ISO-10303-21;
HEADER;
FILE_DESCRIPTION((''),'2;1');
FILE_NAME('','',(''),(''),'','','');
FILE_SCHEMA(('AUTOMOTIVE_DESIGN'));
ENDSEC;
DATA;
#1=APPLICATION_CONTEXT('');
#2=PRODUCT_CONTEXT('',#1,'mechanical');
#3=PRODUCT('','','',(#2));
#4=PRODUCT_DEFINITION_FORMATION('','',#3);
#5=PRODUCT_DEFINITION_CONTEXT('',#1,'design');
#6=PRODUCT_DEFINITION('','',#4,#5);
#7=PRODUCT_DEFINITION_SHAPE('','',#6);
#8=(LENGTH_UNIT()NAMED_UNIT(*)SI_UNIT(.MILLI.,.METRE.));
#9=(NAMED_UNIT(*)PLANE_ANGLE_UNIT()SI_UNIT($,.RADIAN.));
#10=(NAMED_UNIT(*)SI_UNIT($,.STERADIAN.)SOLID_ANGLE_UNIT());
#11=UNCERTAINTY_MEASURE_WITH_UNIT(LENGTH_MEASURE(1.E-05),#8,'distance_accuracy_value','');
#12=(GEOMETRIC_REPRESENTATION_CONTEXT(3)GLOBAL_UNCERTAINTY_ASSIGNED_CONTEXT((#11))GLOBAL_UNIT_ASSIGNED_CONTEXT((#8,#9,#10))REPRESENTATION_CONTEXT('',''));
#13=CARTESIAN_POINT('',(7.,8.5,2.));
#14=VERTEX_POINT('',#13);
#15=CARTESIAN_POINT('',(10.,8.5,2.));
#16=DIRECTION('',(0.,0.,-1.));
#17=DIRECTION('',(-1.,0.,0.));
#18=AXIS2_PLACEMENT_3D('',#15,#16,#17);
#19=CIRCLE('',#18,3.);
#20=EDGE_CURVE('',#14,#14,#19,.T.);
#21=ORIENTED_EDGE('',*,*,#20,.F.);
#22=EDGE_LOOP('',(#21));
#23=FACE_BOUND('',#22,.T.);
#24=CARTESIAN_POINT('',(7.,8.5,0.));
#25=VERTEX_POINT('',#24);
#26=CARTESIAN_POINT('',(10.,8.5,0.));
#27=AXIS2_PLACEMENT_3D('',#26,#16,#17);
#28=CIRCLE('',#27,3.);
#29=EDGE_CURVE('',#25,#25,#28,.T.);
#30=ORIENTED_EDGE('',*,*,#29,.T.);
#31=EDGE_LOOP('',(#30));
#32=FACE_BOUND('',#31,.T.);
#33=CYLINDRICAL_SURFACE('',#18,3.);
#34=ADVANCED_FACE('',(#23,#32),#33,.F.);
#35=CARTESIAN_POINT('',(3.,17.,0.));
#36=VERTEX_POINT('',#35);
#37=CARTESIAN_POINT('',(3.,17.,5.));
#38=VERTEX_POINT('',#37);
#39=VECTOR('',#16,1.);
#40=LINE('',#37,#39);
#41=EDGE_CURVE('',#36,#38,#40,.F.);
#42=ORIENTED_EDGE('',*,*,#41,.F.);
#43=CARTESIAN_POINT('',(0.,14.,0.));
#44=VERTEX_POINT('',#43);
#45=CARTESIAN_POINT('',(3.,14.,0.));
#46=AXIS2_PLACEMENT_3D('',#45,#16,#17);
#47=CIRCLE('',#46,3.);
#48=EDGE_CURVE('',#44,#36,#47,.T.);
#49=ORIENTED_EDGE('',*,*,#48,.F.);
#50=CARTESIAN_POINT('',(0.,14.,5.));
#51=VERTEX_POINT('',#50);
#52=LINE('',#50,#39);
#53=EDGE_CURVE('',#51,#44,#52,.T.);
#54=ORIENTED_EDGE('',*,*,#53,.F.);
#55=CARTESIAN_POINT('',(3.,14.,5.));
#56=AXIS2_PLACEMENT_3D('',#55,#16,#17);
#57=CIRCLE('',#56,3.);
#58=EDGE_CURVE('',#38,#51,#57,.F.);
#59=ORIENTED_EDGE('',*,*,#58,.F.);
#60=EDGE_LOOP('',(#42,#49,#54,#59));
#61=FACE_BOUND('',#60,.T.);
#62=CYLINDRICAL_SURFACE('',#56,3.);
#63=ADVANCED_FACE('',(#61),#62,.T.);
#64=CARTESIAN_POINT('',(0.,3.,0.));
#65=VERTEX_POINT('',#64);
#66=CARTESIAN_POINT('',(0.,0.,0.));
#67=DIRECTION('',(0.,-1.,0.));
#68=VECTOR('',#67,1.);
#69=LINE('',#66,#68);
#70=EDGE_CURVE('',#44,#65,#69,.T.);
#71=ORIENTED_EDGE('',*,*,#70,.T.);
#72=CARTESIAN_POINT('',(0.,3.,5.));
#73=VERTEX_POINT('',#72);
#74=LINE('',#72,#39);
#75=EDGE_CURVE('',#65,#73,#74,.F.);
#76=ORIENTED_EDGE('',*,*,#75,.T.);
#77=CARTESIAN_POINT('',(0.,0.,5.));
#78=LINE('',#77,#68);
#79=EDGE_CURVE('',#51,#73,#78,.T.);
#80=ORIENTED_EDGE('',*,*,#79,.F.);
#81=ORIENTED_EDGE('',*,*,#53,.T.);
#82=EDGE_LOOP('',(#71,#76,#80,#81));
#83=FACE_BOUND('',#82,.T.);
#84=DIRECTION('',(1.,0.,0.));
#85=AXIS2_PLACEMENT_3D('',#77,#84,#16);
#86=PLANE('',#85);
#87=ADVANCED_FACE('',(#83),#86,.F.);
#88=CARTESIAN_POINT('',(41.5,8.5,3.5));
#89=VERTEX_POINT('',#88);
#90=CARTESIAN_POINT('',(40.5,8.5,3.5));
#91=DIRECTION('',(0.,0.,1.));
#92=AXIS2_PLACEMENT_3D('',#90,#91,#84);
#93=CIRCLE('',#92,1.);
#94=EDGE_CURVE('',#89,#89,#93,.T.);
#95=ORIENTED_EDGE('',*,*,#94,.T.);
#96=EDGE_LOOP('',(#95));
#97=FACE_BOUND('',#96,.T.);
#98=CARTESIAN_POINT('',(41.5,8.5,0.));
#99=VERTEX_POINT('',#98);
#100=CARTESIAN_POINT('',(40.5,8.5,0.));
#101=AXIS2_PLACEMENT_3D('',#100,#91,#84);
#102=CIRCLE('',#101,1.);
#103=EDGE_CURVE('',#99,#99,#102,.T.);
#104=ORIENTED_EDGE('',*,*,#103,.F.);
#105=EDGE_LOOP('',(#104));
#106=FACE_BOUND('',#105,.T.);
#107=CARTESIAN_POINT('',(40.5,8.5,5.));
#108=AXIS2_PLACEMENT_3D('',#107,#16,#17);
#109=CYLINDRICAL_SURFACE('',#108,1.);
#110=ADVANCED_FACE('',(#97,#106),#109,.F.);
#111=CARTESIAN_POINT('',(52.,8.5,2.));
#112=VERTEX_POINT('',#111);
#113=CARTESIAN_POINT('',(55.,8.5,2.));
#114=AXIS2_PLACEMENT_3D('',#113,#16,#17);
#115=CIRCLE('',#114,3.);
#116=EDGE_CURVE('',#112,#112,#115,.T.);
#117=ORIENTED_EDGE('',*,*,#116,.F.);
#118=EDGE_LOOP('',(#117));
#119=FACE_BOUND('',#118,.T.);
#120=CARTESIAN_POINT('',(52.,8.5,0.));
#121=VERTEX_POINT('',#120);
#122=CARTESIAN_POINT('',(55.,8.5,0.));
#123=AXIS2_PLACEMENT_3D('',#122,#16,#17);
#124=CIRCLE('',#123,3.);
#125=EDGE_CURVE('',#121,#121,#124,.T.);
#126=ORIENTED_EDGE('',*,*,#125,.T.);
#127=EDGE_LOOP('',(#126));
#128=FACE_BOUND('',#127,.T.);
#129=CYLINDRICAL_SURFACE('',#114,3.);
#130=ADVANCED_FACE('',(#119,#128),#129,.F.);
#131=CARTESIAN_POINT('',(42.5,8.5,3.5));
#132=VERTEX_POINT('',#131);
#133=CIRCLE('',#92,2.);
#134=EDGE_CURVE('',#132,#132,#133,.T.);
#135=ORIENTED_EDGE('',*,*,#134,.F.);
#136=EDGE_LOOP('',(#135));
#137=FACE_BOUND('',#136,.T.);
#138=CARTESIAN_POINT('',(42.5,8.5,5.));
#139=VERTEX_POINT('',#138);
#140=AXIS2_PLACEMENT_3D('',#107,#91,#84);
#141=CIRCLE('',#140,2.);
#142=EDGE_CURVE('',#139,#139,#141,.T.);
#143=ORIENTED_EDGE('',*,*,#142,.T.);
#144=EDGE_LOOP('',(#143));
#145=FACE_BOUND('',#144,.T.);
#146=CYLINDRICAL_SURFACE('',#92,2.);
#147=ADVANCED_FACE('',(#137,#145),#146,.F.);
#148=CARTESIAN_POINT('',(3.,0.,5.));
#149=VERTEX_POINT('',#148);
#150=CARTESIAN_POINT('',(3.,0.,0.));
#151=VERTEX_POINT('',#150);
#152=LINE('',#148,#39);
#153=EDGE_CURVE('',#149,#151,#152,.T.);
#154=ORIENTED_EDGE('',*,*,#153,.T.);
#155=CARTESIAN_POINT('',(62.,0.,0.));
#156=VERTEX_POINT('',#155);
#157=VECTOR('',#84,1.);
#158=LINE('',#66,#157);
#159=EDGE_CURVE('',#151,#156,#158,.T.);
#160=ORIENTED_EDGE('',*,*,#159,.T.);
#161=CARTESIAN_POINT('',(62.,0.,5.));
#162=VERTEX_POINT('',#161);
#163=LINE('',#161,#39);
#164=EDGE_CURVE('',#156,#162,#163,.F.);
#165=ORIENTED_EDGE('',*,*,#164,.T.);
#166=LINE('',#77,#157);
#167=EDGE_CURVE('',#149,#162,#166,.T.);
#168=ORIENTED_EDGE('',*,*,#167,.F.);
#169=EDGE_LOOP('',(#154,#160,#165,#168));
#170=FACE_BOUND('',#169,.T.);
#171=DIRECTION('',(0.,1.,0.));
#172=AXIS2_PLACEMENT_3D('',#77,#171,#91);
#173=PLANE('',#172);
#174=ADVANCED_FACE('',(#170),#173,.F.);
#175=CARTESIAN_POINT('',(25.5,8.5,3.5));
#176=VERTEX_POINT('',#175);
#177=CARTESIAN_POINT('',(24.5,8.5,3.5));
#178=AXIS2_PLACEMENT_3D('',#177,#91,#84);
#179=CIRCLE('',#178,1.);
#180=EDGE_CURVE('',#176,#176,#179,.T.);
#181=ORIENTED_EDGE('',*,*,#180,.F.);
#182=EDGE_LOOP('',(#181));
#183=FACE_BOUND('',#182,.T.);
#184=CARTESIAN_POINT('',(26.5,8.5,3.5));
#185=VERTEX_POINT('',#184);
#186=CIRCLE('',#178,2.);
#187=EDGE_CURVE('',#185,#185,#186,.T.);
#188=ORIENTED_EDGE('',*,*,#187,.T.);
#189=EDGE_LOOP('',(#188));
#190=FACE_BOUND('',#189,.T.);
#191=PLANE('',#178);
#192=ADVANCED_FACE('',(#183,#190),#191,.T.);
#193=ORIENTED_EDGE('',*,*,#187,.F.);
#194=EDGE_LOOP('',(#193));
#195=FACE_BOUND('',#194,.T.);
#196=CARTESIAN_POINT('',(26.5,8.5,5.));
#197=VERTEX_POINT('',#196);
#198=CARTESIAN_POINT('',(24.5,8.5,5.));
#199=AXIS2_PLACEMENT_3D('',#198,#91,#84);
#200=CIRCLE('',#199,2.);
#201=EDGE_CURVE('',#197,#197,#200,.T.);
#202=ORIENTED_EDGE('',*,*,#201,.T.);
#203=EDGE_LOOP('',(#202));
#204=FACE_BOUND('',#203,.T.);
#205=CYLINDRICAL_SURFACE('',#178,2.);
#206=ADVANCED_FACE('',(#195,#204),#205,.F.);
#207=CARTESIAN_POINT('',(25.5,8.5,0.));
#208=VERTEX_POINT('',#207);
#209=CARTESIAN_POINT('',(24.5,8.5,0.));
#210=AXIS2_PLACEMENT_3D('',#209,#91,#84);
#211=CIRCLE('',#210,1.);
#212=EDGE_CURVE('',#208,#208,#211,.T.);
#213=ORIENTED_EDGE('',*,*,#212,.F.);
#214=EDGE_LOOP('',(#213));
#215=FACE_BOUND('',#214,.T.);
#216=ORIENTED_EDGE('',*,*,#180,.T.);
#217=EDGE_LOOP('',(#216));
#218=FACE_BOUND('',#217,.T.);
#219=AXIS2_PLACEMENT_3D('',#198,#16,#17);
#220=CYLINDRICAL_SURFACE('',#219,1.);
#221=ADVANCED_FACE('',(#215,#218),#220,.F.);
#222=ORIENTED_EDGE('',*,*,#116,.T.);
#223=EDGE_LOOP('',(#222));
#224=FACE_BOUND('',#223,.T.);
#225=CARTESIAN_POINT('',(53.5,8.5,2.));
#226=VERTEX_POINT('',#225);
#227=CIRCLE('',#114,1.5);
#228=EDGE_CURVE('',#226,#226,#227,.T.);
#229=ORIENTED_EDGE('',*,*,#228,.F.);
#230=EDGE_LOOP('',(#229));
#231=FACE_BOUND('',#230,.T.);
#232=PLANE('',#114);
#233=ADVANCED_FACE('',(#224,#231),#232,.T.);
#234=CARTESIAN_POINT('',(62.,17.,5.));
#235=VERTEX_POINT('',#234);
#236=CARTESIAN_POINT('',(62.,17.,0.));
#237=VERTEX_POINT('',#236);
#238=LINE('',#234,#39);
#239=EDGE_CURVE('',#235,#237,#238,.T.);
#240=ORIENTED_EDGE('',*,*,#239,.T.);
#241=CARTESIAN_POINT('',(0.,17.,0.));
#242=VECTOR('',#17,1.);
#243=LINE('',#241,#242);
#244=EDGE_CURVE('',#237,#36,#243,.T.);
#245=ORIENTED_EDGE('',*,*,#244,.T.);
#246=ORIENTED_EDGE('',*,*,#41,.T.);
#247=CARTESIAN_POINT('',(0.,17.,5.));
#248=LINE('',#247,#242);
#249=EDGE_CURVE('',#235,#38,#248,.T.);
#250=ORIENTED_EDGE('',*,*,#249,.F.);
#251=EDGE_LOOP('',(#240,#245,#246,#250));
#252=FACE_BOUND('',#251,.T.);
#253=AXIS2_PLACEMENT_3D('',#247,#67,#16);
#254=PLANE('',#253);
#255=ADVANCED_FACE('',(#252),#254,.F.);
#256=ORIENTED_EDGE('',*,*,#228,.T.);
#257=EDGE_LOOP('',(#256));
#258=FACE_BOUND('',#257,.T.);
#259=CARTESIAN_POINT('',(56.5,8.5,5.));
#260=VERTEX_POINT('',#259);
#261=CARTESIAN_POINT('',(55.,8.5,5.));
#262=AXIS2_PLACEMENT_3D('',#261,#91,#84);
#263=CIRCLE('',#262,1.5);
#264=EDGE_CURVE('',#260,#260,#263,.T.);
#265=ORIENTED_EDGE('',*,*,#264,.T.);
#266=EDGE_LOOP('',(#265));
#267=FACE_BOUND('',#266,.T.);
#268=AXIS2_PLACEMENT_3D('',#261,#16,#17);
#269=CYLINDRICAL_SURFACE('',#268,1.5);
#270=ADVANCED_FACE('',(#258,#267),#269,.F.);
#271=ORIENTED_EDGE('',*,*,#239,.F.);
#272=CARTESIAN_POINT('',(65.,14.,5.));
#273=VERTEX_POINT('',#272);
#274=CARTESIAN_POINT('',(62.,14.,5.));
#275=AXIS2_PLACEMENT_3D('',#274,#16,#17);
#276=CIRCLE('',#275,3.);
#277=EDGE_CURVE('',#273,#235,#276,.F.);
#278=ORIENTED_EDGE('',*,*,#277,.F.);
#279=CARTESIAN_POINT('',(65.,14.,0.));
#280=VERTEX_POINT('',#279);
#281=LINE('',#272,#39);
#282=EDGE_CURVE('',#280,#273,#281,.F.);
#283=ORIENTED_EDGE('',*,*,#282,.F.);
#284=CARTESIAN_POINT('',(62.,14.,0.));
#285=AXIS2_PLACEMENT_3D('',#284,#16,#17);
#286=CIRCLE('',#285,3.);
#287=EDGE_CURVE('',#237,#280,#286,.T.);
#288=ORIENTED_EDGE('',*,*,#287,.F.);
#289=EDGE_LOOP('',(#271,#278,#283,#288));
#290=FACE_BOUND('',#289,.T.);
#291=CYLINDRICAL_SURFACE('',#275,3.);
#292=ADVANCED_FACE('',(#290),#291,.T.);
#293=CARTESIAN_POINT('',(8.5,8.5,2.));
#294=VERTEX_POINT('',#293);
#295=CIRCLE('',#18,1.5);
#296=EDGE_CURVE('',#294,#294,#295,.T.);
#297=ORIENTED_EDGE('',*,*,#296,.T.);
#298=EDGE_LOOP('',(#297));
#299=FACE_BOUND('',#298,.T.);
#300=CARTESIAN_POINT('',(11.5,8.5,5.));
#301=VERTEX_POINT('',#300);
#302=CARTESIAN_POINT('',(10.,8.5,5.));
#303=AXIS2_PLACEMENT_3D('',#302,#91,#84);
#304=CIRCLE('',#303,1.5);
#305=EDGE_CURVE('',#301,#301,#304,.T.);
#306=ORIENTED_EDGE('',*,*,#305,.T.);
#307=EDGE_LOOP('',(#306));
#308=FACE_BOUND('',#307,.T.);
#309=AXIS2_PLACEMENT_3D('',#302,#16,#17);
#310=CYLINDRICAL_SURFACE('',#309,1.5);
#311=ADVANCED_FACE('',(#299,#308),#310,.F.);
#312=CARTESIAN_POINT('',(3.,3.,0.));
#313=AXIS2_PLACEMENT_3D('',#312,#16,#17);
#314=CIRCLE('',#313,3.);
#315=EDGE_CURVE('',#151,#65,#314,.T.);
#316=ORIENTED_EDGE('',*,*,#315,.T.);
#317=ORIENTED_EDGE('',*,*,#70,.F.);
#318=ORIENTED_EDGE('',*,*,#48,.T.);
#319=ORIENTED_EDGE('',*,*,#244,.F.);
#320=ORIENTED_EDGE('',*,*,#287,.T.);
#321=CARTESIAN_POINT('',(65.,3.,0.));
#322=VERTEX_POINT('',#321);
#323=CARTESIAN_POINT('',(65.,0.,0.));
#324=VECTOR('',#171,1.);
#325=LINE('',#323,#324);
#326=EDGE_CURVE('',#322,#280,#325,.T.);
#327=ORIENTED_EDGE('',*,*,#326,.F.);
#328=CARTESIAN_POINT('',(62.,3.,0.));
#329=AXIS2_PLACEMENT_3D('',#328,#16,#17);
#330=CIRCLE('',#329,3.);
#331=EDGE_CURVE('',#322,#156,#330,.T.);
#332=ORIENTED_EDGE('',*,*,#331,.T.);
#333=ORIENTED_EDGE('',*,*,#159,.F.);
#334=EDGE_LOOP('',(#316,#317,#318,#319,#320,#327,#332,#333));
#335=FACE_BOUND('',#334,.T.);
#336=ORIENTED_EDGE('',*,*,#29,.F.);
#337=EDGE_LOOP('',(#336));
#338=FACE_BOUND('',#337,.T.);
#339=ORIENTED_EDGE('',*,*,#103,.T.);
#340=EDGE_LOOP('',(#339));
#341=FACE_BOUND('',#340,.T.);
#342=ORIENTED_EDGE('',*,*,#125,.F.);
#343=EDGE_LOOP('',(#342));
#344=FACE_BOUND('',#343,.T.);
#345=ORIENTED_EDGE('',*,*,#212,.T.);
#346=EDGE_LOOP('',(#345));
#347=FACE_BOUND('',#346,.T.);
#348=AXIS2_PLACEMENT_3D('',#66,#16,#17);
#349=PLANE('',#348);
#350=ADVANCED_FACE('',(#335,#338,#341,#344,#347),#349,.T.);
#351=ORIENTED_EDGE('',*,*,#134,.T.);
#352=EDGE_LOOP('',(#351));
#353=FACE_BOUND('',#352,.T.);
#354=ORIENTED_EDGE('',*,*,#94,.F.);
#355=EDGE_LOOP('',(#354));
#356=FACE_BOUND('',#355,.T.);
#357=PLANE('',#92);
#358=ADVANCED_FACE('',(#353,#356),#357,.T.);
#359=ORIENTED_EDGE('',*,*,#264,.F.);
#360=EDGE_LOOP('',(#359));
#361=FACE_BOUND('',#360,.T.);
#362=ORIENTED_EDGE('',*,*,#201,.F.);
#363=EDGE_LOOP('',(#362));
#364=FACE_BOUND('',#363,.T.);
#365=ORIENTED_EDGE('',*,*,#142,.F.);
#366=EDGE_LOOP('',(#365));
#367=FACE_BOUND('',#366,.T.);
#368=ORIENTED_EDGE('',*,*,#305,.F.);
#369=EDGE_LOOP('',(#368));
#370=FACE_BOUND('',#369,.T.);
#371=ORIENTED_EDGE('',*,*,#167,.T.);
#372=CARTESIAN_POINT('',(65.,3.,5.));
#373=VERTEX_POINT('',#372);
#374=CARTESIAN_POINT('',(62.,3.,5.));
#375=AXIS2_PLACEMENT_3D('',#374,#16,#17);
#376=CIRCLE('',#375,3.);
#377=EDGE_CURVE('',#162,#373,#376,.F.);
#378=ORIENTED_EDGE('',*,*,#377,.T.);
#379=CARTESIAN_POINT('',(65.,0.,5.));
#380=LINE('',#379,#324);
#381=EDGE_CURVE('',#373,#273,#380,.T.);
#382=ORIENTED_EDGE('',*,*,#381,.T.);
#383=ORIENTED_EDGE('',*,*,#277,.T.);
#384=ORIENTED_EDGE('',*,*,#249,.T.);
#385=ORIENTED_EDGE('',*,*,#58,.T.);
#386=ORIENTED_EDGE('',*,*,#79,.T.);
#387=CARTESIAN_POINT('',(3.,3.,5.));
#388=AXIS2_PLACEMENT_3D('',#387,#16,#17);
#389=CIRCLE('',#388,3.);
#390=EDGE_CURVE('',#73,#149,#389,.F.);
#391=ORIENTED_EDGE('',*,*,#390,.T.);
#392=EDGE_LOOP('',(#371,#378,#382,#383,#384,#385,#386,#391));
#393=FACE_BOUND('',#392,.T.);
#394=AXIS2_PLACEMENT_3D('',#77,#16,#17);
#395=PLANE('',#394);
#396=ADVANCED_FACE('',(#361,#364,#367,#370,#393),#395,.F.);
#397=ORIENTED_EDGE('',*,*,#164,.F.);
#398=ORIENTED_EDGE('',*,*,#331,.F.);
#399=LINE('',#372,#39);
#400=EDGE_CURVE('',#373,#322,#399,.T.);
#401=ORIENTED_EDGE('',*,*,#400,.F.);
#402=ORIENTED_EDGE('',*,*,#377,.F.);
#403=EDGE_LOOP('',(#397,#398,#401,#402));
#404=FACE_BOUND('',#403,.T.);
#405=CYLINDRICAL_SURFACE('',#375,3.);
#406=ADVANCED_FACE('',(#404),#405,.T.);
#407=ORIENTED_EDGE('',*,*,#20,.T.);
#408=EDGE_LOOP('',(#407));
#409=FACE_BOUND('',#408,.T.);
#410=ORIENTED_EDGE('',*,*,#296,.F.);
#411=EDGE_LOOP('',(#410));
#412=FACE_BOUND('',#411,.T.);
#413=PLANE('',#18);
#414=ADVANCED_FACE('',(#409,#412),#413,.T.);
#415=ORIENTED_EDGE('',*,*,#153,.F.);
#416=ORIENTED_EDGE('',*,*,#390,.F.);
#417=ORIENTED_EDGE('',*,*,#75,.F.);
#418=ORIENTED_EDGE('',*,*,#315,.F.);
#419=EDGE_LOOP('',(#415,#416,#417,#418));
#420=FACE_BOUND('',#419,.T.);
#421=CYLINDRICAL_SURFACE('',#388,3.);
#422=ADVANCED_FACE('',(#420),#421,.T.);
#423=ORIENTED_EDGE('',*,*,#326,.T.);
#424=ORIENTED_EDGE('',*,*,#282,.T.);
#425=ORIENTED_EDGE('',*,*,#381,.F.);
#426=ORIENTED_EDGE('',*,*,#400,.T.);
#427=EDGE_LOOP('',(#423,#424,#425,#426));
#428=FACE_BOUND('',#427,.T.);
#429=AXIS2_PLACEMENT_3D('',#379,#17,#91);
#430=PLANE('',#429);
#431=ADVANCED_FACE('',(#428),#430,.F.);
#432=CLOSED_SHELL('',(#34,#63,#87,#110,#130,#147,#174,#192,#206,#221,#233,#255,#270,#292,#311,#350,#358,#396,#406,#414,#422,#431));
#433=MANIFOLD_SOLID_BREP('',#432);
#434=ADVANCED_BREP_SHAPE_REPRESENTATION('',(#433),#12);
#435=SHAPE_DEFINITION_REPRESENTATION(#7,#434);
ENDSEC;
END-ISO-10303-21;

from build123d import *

# Parameters (mm, degrees)
SKETCH1_W           = 65
SKETCH1_H           = 17
SKETCH1_R           = 1.5
SKETCH1_R_2         = 1
BOSS_EXTRUDE1_DEPTH = 5
FILLET1_R           = 3
SKETCH3_R           = 2
CUT_EXTRUDE2_DEPTH  = 1.5
SKETCH4_R           = 3
CUT_EXTRUDE3_DEPTH  = 2


with BuildPart() as part:
    # Sketch1 → Boss-Extrude1 (new body)
    with BuildSketch(Plane.XY):
        with Locations((32.5, 8.5)):
            Rectangle(SKETCH1_W, SKETCH1_H)
        with Locations((55, 8.5)):
            Circle(SKETCH1_R, mode=Mode.SUBTRACT)
        with Locations((10, 8.5)):
            Circle(SKETCH1_R, mode=Mode.SUBTRACT)
        with Locations((24.5, 8.5)):
            Circle(SKETCH1_R_2, mode=Mode.SUBTRACT)
        with Locations((40.5, 8.5)):
            Circle(SKETCH1_R_2, mode=Mode.SUBTRACT)
    extrude(amount=BOSS_EXTRUDE1_DEPTH)

    # Fillet1
    fillet1_edges = [part.edges().sort_by_distance(p)[0] for p in [
        (0, 17, 2.5),
        (65, 17, 2.5),
        (65, 0, 2.5),
        (0, 0, 2.5),
    ]]
    fillet(fillet1_edges, radius=FILLET1_R)

    # Sketch3 → Cut-Extrude2 (cut)
    with BuildSketch(Plane.XY.offset(5)):
        with Locations((24.5, 8.5)):
            Circle(SKETCH3_R)
        with Locations((40.5, 8.5)):
            Circle(SKETCH3_R)
    extrude(amount=-CUT_EXTRUDE2_DEPTH, mode=Mode.SUBTRACT)

    # Sketch4 → Cut-Extrude3 (cut)
    with BuildSketch(Plane(origin=(0, 0, 0), x_dir=(-1, 0, 0), z_dir=(0, 0, -1))):
        with Locations((-55, 8.5)):
            Circle(SKETCH4_R)
        with Locations((-10, 8.5)):
            Circle(SKETCH4_R)
    extrude(amount=-CUT_EXTRUDE3_DEPTH, mode=Mode.SUBTRACT)


solid = part.part
